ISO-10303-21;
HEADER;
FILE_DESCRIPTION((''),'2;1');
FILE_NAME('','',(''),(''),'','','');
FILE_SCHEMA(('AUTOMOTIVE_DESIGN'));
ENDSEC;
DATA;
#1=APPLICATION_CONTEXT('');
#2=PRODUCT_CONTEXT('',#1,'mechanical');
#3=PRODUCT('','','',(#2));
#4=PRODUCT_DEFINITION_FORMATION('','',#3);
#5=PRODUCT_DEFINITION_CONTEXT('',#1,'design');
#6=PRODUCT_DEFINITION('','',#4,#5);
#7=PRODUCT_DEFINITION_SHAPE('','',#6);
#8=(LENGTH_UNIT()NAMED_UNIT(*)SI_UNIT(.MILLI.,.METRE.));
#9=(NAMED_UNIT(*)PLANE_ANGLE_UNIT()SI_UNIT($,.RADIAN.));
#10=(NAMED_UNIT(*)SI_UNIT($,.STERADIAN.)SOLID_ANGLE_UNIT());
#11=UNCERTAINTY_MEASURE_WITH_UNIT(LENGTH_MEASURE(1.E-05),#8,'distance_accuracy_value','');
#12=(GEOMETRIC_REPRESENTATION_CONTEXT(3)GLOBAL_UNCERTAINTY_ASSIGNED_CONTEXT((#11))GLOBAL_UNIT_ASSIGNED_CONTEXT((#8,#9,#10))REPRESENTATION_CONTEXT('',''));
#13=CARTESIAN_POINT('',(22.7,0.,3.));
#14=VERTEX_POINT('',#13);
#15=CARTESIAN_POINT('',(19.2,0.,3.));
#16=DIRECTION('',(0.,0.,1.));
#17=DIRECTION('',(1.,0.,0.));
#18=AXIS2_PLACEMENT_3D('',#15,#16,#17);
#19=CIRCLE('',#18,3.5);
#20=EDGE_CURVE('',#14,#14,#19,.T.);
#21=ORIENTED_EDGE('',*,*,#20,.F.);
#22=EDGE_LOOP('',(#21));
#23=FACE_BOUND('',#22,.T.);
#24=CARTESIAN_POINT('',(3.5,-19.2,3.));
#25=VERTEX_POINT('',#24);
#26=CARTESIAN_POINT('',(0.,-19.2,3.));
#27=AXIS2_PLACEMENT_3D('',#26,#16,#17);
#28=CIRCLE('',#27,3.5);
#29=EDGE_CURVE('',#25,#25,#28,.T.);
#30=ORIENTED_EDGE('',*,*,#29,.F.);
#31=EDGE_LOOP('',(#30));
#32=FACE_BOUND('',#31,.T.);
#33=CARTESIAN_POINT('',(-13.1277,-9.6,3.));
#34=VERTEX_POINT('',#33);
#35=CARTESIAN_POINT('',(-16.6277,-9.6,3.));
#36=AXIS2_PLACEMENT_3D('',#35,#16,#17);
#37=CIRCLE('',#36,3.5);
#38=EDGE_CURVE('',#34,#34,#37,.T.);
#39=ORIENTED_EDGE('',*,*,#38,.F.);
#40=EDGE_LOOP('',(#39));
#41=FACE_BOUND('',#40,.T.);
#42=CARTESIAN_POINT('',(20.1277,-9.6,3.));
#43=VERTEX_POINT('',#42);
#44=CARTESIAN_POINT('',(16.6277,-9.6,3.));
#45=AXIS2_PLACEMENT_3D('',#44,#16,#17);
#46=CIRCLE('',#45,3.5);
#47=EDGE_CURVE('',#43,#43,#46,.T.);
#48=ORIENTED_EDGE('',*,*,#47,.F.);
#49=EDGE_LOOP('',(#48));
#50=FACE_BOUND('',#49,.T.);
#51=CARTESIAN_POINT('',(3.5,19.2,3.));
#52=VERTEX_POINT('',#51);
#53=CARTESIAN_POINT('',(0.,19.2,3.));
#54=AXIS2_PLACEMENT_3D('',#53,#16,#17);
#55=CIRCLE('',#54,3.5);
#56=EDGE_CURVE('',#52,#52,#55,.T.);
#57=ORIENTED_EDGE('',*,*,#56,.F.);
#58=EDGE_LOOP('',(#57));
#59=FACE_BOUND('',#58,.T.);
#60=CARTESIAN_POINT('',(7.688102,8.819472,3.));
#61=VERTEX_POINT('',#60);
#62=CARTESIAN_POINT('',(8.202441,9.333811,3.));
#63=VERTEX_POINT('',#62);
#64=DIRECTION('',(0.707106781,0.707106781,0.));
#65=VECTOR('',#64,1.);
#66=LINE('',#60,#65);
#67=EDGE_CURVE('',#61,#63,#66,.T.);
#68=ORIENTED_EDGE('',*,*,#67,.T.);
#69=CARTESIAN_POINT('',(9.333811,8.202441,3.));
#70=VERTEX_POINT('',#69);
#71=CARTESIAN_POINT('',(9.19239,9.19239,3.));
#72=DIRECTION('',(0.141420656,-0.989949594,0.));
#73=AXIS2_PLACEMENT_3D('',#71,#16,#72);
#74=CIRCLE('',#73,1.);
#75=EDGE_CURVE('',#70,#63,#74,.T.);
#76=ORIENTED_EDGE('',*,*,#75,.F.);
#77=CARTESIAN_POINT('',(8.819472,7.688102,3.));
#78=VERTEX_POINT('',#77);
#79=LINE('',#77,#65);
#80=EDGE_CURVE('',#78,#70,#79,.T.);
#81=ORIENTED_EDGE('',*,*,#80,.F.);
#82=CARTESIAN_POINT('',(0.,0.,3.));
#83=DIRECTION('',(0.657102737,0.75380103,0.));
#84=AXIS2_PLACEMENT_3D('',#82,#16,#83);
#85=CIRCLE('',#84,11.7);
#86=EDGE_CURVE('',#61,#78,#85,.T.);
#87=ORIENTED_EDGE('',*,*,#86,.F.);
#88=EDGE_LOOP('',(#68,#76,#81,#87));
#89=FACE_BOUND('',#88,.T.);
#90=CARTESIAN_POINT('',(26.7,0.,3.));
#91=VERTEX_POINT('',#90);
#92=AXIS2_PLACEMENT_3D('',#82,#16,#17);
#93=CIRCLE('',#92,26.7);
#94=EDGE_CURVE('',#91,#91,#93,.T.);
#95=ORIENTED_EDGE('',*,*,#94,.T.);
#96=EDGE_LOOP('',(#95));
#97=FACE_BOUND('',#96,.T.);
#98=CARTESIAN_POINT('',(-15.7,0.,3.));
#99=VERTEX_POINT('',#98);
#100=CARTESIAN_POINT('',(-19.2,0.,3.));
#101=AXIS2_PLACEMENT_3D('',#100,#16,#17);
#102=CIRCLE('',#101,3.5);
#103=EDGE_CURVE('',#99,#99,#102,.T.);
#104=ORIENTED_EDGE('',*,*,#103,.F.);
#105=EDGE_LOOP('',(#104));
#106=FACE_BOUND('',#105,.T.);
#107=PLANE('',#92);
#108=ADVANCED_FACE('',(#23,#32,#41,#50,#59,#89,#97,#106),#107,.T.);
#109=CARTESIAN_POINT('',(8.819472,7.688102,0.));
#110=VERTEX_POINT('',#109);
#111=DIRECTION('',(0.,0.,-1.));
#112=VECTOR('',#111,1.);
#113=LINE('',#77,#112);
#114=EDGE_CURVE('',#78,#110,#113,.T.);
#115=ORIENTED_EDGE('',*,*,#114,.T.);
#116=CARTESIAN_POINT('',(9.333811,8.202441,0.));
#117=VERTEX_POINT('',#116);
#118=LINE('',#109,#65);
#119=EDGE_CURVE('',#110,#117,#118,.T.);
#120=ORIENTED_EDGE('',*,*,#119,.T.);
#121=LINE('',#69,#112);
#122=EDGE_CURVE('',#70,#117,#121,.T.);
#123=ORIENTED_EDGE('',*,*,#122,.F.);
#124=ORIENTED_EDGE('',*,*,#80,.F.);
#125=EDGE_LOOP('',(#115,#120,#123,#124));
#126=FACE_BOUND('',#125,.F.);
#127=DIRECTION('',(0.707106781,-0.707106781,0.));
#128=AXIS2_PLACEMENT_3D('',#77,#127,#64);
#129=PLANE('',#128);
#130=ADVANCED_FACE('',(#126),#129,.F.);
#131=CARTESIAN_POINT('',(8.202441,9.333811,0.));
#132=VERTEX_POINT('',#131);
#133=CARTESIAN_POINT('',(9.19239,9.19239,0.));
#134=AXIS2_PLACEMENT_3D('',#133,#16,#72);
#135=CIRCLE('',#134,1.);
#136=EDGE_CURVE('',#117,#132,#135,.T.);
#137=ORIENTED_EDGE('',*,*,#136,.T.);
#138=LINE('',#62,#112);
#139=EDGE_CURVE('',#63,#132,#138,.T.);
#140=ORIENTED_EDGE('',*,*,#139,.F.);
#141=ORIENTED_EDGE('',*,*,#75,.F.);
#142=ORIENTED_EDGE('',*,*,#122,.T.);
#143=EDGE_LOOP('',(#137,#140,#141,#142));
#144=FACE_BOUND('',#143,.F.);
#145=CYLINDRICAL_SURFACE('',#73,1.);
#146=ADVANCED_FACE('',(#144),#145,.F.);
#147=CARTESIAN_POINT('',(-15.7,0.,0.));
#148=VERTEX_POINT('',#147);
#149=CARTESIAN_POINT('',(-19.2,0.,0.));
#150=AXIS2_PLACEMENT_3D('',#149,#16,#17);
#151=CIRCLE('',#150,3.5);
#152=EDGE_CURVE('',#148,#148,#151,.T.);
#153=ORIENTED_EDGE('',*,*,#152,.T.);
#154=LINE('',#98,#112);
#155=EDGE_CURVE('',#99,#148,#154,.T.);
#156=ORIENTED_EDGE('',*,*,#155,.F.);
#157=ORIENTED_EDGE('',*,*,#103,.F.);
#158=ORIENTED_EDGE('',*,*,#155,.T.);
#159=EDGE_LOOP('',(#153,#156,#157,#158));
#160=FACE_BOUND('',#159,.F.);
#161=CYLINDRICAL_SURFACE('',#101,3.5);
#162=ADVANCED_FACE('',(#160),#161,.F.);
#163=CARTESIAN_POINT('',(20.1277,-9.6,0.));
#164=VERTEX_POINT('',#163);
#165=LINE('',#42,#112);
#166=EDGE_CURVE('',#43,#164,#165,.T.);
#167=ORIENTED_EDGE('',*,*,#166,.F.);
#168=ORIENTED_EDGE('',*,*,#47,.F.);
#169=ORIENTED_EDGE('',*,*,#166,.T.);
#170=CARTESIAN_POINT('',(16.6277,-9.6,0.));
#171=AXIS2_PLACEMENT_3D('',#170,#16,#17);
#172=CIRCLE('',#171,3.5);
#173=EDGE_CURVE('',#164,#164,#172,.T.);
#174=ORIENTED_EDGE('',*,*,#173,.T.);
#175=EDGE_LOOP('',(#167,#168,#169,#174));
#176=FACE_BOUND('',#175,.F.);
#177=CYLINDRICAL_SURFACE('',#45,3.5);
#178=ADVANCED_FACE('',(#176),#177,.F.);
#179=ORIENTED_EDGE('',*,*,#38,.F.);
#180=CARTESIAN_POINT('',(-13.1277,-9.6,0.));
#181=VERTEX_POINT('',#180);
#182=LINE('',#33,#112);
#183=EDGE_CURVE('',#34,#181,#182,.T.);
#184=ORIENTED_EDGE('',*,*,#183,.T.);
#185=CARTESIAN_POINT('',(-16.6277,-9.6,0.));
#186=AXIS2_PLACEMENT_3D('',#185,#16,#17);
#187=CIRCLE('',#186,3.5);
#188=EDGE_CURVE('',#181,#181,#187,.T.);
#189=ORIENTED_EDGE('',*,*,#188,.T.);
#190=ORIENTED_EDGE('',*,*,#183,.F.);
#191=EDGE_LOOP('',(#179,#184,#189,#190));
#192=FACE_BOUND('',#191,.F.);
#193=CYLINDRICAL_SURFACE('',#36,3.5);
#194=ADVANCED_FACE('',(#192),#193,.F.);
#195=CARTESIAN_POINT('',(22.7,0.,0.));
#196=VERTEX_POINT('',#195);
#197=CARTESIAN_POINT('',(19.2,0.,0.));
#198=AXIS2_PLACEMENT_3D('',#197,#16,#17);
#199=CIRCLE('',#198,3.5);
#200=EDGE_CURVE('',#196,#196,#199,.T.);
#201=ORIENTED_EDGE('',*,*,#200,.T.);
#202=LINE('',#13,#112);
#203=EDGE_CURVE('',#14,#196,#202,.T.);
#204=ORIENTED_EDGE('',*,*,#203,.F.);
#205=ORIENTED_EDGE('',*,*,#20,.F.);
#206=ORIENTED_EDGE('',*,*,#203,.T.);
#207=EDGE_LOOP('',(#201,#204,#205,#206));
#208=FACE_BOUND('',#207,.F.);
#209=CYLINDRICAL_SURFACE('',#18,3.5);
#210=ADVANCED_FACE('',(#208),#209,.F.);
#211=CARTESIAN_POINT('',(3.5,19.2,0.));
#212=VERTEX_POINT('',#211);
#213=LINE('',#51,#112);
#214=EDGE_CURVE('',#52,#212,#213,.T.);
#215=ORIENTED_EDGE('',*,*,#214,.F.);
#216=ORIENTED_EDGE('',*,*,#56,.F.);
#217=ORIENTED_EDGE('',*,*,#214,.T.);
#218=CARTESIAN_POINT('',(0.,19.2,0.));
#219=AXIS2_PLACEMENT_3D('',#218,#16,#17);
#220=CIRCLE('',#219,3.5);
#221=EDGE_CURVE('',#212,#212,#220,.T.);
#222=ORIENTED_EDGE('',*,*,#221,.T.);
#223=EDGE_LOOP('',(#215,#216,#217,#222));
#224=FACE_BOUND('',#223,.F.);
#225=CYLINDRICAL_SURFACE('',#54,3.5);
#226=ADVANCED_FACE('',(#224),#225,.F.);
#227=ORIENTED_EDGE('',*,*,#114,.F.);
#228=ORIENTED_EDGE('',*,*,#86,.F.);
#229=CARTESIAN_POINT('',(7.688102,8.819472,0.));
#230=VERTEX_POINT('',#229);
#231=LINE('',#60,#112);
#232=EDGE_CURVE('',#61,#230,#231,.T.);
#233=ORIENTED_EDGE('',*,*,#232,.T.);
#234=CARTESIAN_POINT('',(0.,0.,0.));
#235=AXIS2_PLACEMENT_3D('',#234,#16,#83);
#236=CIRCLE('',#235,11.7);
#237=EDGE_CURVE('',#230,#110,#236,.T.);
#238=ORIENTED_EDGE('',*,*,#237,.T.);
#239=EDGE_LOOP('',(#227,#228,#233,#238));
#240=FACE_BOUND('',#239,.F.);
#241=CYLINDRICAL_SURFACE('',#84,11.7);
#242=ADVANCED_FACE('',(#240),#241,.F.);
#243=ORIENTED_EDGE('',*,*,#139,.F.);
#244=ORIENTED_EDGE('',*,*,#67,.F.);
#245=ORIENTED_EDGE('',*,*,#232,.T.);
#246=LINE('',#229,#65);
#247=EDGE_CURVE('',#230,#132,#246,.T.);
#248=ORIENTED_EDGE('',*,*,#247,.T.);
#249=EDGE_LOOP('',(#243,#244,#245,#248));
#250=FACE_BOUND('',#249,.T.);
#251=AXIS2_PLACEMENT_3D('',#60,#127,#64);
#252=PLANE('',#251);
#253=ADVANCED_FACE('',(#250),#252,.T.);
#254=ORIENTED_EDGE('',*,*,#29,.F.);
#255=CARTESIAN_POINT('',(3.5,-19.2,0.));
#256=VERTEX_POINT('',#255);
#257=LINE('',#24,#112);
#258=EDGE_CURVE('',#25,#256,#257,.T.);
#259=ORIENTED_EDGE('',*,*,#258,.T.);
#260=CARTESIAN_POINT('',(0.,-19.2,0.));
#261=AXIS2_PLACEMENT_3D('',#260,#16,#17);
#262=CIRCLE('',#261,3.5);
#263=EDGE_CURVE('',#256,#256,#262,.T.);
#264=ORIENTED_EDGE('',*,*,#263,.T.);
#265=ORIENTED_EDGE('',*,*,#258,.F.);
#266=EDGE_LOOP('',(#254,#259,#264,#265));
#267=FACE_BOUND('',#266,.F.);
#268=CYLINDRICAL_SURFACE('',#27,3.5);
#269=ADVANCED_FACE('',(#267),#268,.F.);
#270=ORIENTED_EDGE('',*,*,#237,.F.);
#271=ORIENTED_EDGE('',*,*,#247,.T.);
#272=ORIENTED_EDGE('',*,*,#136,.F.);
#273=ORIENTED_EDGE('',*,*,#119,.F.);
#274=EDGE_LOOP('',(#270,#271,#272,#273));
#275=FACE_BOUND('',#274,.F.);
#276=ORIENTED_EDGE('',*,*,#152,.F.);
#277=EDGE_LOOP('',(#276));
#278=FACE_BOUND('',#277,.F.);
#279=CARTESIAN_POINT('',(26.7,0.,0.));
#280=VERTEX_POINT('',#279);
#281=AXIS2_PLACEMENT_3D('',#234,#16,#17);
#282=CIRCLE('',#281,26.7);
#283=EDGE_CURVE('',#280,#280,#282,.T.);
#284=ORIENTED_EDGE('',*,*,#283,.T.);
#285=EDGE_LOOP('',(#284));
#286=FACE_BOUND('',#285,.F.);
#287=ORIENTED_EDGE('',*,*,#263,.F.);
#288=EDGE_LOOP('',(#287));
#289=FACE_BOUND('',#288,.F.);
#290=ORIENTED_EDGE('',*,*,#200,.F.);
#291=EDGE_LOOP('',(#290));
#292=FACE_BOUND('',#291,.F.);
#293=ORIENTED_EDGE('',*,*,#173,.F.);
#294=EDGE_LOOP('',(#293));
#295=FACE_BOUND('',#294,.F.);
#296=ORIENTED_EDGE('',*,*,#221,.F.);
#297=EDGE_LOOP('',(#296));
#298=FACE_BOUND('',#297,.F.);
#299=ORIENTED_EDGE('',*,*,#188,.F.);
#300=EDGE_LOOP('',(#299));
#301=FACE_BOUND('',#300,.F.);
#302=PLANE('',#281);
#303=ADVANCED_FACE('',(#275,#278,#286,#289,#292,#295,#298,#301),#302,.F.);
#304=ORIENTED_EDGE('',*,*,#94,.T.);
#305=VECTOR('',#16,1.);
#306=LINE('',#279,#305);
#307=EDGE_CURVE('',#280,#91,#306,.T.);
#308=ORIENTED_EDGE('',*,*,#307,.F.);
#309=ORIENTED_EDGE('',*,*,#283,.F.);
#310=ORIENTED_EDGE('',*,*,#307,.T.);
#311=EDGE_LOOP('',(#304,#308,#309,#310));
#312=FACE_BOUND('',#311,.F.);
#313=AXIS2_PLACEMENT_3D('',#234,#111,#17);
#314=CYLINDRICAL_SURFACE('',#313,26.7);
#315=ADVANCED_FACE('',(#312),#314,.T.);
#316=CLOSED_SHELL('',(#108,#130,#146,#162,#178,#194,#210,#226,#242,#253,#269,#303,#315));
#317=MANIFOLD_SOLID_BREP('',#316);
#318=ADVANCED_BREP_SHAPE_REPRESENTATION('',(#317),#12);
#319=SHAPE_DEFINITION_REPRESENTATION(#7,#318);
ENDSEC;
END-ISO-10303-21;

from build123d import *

# Parameters (mm, degrees)
CYLINDER_R     = 26.7
CYLINDER_DEPTH = 3
SKETCH_R       = 3.5
POCKET_DEPTH   = 3


with BuildPart() as part:
    # Cylinder → Cylinder (new body)
    with BuildSketch(Plane.XY):
        Circle(CYLINDER_R)
    extrude(amount=CYLINDER_DEPTH)

    # Sketch → Pocket (cut)
    with BuildSketch(Plane.XY.offset(3)):
        with Locations((0, 19.2)):
            Circle(SKETCH_R)
        with Locations((16.6277, -9.6)):
            Circle(SKETCH_R)
        with Locations((-16.6277, -9.6)):
            Circle(SKETCH_R)
        with Locations((0, -19.2)):
            Circle(SKETCH_R)
        with Locations((-19.2, 0)):
            Circle(SKETCH_R)
        with Locations((19.2, 0)):
            Circle(SKETCH_R)
        with BuildLine():
            ThreePointArc((7.688102, 8.819472), (-8.273149, -8.273149), (8.819472, 7.688102))
            Line((8.819472, 7.688102), (9.333811, 8.202441))
            ThreePointArc((9.333811, 8.202441), (9.899497, 9.899497), (8.202441, 9.333811))
            Line((7.688102, 8.819472), (8.202441, 9.333811))
        make_face()
    extrude(amount=-POCKET_DEPTH, mode=Mode.SUBTRACT)


solid = part.part
